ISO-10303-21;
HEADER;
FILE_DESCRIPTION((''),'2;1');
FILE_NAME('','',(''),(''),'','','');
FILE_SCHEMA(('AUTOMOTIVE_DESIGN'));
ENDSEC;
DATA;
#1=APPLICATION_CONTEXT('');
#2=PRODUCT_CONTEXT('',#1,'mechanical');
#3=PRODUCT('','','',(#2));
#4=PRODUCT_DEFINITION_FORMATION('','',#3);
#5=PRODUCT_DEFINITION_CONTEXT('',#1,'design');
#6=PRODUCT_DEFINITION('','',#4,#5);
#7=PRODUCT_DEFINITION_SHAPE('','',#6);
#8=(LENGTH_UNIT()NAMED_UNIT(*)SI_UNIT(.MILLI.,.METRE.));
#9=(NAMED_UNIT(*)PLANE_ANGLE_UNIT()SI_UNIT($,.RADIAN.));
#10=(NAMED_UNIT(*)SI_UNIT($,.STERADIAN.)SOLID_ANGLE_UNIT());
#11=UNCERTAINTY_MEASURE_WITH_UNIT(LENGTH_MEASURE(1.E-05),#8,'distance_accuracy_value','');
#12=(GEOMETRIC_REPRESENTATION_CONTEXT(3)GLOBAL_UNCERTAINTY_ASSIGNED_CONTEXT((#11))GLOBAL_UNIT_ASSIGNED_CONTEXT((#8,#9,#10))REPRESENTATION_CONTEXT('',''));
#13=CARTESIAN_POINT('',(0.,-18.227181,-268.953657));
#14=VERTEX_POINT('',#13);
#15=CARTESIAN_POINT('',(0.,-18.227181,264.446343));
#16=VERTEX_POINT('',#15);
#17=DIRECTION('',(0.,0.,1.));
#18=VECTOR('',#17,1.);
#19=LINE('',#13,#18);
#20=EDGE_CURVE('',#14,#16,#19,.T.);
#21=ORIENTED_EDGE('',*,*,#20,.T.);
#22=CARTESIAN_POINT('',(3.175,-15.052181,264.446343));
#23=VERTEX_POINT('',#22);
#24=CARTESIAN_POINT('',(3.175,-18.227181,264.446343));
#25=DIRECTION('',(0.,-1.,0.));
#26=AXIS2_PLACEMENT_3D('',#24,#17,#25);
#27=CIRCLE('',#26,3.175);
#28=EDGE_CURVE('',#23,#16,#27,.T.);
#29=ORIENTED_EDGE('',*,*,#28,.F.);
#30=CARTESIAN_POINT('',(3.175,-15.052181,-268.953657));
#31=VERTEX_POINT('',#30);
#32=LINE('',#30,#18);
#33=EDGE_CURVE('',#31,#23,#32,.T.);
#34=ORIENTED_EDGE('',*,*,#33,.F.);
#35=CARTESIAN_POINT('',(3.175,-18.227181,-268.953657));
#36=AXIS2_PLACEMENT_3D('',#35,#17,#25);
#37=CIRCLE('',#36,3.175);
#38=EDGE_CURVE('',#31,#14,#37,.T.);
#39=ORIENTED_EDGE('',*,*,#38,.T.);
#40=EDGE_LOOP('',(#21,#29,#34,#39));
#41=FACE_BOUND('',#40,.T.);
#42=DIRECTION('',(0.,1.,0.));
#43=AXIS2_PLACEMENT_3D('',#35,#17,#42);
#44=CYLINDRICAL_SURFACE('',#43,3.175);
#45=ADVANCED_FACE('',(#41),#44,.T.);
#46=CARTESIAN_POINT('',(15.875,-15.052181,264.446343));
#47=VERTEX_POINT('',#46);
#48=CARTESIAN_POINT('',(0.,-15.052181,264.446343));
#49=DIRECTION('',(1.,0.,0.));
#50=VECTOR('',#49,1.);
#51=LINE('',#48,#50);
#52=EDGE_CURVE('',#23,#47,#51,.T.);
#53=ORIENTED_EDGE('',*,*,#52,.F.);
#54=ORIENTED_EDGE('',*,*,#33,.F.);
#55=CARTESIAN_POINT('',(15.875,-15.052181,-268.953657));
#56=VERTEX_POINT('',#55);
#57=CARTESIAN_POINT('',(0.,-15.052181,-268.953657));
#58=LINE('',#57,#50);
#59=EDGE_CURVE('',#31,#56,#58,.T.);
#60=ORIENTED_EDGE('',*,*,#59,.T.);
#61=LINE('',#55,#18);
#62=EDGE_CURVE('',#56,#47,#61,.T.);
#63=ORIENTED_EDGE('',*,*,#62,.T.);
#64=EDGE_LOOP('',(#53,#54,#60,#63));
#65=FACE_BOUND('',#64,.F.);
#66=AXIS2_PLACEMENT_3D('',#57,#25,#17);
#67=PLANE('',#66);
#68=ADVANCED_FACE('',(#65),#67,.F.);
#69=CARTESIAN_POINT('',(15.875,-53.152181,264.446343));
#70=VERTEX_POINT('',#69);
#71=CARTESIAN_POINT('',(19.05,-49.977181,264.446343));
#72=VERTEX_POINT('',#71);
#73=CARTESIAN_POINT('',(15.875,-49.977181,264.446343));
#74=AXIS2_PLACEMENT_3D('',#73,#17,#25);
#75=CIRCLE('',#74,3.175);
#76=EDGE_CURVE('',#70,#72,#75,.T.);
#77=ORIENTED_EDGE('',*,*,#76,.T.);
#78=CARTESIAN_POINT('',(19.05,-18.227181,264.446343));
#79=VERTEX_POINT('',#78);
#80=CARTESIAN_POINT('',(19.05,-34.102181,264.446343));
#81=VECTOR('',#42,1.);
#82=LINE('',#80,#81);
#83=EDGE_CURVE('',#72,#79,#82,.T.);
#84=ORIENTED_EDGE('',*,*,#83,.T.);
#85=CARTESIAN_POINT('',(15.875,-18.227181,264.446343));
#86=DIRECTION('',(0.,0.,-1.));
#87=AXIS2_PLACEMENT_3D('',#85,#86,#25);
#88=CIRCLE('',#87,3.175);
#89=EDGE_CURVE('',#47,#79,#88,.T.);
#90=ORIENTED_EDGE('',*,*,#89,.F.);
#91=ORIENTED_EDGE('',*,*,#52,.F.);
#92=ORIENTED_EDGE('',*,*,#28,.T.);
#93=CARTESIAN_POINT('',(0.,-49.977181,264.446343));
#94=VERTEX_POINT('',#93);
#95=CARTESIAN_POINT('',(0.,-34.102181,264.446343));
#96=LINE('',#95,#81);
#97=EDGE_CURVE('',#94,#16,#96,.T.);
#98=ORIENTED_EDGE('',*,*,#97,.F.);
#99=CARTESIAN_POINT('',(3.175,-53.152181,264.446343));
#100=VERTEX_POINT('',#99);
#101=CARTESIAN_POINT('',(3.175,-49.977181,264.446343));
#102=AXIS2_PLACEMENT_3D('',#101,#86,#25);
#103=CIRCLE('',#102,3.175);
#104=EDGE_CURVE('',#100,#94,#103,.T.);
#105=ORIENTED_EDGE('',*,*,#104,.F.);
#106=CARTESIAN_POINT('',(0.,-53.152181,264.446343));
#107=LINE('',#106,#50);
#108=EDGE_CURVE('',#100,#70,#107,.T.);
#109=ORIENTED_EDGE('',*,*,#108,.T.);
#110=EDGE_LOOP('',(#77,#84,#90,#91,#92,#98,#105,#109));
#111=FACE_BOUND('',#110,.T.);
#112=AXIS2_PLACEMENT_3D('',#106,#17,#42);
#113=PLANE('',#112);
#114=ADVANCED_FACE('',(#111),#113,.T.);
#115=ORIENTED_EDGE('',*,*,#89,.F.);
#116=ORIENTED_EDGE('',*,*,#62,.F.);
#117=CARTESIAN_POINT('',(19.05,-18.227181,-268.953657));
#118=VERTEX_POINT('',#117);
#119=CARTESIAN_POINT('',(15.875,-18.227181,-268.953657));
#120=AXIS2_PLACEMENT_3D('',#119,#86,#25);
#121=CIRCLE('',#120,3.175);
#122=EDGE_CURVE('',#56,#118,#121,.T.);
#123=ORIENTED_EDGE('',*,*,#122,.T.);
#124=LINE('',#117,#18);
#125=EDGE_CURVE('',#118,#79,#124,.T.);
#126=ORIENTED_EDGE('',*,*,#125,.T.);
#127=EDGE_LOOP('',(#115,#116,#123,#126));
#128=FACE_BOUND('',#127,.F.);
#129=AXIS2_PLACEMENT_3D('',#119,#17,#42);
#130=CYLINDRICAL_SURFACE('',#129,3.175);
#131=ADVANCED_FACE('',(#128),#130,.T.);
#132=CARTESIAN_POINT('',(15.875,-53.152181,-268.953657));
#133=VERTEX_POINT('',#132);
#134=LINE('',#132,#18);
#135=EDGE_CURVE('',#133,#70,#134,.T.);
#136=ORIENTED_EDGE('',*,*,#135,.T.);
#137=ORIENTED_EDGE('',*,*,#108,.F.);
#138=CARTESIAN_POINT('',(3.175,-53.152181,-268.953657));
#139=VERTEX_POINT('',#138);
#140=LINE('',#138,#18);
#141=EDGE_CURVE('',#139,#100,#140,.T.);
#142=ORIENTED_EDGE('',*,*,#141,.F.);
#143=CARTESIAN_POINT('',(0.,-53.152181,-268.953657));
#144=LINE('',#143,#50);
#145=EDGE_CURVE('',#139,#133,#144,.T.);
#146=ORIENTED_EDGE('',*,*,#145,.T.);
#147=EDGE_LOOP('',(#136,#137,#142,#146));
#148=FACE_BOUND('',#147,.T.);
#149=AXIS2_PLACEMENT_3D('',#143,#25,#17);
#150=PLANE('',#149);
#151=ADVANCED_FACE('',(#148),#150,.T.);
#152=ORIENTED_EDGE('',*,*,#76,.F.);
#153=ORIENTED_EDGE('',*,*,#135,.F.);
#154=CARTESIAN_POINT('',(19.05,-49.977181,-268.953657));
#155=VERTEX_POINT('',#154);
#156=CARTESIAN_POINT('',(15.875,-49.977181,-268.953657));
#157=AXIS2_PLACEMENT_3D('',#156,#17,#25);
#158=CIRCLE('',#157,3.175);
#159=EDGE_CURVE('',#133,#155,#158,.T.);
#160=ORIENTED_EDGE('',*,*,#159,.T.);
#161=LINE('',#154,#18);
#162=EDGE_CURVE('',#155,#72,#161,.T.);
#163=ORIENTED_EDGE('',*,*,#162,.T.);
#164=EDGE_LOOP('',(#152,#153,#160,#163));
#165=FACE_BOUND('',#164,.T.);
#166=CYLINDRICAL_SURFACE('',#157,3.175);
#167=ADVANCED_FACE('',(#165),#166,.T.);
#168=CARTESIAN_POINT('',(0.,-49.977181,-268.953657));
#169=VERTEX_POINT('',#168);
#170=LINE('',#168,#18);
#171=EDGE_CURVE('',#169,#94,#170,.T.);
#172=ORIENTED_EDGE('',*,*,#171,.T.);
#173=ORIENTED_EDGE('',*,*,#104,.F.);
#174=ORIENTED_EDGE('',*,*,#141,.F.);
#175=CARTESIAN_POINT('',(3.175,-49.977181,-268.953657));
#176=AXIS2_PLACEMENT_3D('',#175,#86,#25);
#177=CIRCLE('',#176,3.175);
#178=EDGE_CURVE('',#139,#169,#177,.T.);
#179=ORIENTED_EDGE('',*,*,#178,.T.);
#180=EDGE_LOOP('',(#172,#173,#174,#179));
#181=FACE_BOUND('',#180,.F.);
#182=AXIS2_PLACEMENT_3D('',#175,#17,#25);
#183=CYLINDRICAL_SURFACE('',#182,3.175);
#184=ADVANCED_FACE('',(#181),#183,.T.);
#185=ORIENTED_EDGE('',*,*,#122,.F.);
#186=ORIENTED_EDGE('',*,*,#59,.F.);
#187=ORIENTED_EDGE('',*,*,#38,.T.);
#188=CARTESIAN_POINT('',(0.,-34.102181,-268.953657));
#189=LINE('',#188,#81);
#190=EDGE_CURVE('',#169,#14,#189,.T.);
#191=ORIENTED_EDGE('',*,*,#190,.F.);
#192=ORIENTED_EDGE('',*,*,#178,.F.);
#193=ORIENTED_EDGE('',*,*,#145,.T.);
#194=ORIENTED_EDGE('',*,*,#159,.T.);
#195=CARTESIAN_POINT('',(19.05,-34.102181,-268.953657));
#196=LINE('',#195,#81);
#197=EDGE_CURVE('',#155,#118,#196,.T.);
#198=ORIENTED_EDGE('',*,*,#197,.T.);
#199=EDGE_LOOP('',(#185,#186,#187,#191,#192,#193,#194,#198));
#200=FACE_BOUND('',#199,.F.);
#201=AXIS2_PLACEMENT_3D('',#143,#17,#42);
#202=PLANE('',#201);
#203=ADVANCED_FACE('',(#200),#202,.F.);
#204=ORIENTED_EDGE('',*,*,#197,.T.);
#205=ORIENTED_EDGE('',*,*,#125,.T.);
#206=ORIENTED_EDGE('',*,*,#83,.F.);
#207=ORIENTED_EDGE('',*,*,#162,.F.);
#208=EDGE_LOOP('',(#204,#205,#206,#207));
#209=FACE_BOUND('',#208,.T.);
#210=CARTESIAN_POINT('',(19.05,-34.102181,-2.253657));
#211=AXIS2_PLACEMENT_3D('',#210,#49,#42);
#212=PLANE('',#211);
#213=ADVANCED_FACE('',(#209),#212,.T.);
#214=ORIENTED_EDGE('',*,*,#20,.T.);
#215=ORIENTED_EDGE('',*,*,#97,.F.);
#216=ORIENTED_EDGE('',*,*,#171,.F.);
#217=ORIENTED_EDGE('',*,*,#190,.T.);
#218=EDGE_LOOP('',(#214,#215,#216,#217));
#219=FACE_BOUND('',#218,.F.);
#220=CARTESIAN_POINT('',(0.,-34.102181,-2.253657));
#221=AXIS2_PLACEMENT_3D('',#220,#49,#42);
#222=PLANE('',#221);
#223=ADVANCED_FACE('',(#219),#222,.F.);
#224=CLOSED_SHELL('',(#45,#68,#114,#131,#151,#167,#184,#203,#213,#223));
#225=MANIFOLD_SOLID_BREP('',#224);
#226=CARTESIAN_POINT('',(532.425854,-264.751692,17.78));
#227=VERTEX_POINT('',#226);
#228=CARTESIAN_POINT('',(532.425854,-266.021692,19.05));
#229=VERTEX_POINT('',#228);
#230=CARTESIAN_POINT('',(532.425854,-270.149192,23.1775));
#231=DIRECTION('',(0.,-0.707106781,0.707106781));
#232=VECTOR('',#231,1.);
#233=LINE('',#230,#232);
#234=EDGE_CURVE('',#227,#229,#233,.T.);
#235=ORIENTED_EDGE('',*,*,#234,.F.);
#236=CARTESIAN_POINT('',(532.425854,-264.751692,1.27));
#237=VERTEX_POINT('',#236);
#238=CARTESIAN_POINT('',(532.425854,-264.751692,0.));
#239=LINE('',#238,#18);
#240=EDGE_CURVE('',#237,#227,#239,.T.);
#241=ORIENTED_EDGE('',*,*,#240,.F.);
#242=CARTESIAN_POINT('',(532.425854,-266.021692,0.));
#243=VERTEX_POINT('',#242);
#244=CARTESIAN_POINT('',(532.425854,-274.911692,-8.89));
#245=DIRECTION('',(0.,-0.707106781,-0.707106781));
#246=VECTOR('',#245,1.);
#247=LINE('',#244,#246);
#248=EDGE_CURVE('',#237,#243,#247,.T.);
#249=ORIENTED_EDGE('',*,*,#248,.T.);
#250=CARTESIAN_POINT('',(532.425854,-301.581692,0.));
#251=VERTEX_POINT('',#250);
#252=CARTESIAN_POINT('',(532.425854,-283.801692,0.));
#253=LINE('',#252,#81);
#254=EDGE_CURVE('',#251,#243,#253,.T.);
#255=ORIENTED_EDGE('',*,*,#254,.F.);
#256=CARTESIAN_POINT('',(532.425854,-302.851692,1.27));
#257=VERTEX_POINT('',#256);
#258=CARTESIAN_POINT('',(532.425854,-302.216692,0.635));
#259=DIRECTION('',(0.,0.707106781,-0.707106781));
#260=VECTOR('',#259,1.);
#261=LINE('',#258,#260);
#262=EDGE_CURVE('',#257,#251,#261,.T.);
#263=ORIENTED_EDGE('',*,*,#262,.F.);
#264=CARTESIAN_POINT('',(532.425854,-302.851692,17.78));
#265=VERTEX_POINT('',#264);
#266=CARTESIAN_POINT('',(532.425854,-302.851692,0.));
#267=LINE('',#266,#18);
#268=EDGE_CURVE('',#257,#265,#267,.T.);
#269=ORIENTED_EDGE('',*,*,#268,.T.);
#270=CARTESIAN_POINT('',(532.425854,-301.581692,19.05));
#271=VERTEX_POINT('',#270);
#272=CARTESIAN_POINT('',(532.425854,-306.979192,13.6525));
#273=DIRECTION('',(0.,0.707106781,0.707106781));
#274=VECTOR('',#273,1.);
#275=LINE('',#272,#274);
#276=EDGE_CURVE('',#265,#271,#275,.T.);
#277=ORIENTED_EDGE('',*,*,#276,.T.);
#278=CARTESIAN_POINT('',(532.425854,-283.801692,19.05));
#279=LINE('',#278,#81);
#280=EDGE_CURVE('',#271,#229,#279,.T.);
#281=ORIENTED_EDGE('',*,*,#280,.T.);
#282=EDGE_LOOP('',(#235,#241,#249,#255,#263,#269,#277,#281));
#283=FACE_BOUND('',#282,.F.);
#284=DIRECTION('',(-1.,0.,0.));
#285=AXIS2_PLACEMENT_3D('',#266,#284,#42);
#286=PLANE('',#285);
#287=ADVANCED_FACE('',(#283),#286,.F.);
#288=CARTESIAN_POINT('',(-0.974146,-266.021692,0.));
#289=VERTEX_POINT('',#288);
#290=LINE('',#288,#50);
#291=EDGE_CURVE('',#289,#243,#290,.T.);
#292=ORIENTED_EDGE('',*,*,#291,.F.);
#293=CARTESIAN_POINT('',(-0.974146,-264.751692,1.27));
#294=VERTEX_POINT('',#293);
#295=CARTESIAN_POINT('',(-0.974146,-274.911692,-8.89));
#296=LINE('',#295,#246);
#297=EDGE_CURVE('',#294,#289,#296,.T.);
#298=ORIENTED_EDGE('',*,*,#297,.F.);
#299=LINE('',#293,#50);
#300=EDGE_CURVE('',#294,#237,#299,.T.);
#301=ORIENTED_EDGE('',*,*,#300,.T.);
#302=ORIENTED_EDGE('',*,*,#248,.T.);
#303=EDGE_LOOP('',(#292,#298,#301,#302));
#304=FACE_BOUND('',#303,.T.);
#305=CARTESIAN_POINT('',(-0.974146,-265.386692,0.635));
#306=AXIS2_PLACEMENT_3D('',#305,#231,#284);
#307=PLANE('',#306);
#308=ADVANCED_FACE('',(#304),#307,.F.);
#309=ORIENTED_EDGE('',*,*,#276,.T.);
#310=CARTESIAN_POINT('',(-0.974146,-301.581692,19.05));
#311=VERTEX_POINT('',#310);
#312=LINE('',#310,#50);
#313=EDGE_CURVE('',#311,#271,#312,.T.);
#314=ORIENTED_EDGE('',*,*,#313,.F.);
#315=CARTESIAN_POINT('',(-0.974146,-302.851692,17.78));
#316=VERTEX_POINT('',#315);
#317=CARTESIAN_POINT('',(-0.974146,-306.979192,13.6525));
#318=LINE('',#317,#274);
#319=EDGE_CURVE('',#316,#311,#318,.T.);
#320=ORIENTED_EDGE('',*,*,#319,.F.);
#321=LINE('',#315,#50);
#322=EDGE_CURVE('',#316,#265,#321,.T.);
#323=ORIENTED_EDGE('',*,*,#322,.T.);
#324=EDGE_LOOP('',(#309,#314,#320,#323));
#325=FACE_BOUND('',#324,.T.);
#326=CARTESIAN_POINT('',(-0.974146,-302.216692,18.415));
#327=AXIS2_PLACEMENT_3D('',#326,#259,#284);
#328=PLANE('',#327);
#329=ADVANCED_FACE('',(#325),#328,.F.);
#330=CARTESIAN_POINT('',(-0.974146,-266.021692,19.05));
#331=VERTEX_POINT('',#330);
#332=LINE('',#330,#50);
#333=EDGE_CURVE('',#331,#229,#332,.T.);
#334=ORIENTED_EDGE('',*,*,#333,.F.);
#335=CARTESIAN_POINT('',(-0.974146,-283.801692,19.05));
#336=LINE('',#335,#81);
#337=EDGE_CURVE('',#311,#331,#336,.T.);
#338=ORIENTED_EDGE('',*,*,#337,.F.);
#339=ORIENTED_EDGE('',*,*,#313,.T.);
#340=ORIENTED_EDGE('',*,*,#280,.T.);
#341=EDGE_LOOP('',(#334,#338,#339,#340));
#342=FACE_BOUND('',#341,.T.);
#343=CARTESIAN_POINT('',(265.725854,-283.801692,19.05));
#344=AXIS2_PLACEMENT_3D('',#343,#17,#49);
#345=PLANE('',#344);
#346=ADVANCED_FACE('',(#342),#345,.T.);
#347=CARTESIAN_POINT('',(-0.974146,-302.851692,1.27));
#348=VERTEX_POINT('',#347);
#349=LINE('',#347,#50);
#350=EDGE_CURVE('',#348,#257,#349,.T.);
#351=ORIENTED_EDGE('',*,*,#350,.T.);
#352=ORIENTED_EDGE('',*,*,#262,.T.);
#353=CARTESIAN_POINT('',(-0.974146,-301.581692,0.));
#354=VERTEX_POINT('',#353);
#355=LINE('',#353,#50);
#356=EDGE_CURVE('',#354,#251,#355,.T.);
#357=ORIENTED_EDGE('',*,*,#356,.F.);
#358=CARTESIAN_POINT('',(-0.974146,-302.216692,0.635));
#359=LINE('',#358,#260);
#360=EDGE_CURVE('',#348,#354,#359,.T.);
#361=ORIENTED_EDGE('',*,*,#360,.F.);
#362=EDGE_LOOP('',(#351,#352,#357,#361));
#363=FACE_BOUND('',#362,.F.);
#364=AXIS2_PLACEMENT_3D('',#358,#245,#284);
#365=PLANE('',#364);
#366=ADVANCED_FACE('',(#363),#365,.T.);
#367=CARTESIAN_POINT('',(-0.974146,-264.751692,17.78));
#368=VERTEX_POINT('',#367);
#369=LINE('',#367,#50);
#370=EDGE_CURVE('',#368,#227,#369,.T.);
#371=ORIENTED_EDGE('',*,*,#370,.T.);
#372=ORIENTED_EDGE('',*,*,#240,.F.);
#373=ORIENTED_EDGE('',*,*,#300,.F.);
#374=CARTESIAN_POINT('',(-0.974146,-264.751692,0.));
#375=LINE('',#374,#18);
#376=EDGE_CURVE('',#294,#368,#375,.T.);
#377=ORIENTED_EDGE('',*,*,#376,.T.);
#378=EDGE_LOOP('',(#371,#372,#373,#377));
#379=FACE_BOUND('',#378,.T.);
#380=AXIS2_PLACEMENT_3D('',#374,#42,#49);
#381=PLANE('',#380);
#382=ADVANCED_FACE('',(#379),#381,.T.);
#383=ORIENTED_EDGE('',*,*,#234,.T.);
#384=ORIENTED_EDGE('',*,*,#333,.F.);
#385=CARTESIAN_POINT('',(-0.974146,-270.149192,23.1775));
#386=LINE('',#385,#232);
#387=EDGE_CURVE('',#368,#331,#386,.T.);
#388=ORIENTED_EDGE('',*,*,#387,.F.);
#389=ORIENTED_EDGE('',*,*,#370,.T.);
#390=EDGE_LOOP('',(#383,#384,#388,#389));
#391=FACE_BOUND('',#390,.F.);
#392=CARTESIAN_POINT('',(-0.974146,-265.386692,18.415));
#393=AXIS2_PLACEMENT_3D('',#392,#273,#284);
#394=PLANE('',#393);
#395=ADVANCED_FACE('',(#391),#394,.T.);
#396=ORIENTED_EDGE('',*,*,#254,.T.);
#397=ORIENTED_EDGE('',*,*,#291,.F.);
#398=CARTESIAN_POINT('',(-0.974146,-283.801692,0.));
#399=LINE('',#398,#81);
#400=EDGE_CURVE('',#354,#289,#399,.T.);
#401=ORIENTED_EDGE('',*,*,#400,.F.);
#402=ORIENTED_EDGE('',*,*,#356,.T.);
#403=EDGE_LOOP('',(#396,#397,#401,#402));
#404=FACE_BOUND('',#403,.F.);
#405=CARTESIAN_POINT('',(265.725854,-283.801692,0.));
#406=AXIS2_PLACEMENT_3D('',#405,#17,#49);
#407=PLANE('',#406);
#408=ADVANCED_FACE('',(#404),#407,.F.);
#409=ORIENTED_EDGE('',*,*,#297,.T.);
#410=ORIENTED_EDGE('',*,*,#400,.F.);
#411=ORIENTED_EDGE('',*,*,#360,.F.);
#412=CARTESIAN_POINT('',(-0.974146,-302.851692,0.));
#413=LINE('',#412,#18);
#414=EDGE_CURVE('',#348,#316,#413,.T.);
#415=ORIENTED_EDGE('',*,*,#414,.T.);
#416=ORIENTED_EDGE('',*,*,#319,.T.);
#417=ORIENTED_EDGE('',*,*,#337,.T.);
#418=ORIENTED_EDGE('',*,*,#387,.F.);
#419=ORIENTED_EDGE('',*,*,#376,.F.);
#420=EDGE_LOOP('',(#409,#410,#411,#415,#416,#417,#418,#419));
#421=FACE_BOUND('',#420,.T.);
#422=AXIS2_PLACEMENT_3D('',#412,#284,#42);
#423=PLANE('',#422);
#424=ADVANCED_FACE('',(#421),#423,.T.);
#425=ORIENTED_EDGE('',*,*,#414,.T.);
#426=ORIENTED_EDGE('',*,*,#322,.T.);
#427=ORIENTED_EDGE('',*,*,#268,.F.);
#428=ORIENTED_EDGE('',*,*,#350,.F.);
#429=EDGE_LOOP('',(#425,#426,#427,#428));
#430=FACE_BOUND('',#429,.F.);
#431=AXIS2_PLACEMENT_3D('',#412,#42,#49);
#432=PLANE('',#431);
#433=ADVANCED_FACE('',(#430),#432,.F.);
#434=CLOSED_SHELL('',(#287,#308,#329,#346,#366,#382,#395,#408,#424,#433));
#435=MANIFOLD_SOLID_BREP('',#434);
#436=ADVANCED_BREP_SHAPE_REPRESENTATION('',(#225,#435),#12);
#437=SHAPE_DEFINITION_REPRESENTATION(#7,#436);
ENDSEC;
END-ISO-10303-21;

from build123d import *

# Parameters (mm, degrees)
F0_W     = 38.1
F0_H     = 533.4
F1_DEPTH = 19.05
F2_R     = 3.175
F3_W     = 533.4
F3_H     = 38.1
F4_DEPTH = 19.05
F5_SIZE  = 1.27


with BuildPart() as f1:
    # F0 (on Right) → F1 (new body)
    with BuildSketch(Plane.YZ):
        with Locations((-34.102181, -2.253657)):
            Rectangle(F0_W, F0_H)
    extrude(amount=F1_DEPTH)

    # F2
    f2_edges = [f1.edges().sort_by_distance(p)[0] for p in [
        (0, -53.152181, -2.253657),
        (19.05, -53.152181, -2.253657),
        (0, -15.052181, -2.253657),
        (19.05, -15.052181, -2.253657),
    ]]
    fillet(f2_edges, radius=F2_R)


with BuildPart() as f4:
    # F3 (on Top) → F4 (new body)
    with BuildSketch(Plane.XY):
        with Locations((265.725854, -283.801692)):
            Rectangle(F3_W, F3_H)
    extrude(amount=F4_DEPTH)

    # F5
    f5_edges = [f4.edges().sort_by_distance(p)[0] for p in [
        (265.725854, -264.751692, 0),
        (265.725854, -264.751692, 19.05),
        (265.725854, -302.851692, 0),
        (265.725854, -302.851692, 19.05),
    ]]
    chamfer(f5_edges, length=F5_SIZE)


solid = Compound([f1.part, f4.part])
